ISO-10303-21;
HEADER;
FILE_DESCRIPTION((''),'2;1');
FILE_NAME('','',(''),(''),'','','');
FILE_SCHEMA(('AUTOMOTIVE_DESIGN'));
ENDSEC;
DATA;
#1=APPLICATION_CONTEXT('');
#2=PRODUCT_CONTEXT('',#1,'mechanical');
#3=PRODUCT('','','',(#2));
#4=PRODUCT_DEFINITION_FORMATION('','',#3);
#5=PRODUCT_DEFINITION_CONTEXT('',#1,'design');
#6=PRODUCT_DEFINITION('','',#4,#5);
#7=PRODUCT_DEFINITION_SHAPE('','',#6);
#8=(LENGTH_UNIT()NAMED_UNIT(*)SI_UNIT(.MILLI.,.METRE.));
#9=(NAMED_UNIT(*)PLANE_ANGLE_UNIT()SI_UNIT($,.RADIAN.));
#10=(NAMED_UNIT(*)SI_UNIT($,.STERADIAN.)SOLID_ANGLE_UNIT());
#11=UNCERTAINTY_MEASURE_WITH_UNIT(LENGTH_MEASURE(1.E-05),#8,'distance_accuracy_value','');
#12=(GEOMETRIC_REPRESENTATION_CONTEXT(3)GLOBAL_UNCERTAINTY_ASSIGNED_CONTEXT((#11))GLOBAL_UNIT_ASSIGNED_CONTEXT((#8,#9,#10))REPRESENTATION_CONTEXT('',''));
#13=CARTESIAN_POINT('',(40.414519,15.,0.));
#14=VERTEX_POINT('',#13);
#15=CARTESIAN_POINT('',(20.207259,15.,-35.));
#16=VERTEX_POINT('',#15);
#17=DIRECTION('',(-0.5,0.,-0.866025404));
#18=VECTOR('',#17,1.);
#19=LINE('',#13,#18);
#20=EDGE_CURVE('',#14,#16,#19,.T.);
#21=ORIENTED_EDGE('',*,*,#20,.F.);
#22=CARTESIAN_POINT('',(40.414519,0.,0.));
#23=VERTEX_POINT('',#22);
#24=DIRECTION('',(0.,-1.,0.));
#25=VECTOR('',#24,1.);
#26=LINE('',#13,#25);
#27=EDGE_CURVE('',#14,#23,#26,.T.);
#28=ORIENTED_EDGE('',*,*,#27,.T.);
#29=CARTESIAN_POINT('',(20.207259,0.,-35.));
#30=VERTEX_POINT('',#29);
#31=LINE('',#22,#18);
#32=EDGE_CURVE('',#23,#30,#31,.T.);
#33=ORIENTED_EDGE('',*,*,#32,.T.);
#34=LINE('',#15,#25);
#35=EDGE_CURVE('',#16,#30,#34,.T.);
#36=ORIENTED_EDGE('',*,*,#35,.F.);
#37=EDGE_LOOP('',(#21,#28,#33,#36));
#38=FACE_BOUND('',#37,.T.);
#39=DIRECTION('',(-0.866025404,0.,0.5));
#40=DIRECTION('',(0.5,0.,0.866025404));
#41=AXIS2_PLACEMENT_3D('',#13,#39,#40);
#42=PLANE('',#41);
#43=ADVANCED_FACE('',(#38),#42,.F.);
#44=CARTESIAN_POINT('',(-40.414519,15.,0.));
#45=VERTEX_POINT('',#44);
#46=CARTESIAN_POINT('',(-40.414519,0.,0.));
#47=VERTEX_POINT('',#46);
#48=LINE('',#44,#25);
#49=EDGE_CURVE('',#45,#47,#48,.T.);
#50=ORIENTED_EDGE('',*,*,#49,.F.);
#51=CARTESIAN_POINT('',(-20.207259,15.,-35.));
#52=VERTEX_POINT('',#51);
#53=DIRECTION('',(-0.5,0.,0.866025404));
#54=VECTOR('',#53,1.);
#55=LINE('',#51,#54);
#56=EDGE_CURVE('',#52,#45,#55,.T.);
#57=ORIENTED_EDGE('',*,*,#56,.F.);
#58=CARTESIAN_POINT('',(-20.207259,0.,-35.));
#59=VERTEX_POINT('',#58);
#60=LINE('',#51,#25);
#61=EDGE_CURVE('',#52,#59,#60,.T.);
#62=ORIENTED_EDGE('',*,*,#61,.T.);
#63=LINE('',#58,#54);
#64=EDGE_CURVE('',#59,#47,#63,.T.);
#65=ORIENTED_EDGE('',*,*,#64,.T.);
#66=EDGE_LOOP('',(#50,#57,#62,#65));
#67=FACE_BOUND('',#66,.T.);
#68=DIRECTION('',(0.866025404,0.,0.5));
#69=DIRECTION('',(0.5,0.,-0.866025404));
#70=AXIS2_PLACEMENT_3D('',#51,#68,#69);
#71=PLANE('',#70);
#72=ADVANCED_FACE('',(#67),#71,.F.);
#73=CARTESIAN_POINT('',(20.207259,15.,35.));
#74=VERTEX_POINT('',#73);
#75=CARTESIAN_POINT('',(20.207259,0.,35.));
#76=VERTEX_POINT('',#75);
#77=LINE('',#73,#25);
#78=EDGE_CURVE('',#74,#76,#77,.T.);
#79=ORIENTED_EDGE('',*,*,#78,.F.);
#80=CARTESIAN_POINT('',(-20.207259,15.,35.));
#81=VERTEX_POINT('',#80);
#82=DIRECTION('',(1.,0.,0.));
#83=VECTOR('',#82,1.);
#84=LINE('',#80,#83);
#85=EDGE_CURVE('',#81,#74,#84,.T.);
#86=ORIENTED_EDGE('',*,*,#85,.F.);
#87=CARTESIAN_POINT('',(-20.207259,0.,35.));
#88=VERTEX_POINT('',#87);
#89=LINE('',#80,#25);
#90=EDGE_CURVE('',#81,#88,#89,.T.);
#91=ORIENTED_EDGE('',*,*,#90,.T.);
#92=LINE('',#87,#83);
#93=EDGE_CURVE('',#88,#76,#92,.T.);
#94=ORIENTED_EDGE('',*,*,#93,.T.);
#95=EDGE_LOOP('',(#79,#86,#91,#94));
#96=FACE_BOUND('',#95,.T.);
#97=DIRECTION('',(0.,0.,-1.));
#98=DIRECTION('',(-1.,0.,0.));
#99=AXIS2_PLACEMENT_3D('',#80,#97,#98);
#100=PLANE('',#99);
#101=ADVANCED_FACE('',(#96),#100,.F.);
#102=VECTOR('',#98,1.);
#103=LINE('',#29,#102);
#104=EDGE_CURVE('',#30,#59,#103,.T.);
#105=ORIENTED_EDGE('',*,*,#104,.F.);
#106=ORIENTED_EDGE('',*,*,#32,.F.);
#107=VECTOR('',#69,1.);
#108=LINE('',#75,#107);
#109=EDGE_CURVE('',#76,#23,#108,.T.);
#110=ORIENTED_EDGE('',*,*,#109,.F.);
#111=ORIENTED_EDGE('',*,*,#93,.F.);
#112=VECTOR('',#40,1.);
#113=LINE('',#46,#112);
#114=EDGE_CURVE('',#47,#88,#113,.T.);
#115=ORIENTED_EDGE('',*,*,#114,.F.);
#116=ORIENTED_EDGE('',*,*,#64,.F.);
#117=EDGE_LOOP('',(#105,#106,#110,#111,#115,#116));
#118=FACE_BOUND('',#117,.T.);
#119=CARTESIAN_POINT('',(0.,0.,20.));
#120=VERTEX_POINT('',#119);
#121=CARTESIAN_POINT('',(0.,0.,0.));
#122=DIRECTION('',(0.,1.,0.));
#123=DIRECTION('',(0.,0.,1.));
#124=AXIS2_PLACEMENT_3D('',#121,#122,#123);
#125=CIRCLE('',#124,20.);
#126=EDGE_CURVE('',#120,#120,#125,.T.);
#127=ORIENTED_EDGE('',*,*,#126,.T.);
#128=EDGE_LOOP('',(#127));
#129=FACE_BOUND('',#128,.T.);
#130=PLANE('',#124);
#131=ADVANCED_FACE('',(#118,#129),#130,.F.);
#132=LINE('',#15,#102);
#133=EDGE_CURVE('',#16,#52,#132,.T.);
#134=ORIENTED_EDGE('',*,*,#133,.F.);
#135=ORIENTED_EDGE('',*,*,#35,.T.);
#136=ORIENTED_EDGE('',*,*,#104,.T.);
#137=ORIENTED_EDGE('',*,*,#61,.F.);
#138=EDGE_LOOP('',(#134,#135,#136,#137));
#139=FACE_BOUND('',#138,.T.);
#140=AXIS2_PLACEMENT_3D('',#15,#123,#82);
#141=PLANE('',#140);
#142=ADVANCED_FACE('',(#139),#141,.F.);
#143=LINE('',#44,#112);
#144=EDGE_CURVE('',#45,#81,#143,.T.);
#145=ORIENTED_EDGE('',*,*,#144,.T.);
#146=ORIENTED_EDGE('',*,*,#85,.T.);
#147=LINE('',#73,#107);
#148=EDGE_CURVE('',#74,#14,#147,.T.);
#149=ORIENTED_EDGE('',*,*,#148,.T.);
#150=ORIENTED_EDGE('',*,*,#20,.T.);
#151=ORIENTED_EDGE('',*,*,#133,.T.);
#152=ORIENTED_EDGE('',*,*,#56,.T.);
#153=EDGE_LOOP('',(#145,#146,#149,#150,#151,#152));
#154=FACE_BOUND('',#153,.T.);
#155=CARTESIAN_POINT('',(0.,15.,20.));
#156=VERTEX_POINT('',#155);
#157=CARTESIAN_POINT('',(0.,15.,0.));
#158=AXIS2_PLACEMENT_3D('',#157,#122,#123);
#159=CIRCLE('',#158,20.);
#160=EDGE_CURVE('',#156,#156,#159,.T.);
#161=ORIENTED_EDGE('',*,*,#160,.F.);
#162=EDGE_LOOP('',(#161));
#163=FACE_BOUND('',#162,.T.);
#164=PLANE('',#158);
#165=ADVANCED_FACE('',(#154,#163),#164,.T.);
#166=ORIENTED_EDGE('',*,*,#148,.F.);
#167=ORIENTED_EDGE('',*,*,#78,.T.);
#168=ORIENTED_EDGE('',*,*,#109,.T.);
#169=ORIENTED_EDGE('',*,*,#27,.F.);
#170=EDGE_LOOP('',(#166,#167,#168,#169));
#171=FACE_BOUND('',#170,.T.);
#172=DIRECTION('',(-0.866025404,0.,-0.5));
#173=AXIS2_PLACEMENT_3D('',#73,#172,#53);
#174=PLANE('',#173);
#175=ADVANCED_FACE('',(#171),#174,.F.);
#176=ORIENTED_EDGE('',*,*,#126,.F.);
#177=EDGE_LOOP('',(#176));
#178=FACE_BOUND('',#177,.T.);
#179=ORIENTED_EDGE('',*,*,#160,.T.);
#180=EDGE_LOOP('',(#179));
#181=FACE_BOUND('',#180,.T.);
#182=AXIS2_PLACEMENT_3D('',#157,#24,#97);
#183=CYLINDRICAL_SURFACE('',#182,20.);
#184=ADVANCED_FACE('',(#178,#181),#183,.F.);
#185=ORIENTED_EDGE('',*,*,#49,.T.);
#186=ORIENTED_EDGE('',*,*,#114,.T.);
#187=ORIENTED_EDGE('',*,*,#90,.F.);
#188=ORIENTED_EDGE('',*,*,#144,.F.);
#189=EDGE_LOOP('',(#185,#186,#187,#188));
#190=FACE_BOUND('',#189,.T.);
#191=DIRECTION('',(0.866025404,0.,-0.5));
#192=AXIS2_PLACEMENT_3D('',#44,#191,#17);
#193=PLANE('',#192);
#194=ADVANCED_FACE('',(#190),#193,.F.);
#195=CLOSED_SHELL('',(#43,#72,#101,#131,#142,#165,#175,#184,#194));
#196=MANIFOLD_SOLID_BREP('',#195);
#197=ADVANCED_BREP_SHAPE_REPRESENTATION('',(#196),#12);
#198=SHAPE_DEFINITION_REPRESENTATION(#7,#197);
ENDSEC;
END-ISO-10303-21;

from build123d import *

# Parameters (mm, degrees)
SKETCH1_R           = 20
BOSS_EXTRUDE1_DEPTH = 15


with BuildPart() as part:
    # Sketch1 → Boss-Extrude1 (new body)
    with BuildSketch(Plane(origin=(0, 0, 0), x_dir=(1, 0, 0), z_dir=(0, 1, 0))):
        Polygon((-20.207259422, 35), (-40.414518843, 0), (-20.207259422, -35), (20.207259422, -35), (40.414518843, 0), (20.207259422, 35), align=None)
        Circle(SKETCH1_R, mode=Mode.SUBTRACT)
    extrude(amount=BOSS_EXTRUDE1_DEPTH)


solid = part.part
